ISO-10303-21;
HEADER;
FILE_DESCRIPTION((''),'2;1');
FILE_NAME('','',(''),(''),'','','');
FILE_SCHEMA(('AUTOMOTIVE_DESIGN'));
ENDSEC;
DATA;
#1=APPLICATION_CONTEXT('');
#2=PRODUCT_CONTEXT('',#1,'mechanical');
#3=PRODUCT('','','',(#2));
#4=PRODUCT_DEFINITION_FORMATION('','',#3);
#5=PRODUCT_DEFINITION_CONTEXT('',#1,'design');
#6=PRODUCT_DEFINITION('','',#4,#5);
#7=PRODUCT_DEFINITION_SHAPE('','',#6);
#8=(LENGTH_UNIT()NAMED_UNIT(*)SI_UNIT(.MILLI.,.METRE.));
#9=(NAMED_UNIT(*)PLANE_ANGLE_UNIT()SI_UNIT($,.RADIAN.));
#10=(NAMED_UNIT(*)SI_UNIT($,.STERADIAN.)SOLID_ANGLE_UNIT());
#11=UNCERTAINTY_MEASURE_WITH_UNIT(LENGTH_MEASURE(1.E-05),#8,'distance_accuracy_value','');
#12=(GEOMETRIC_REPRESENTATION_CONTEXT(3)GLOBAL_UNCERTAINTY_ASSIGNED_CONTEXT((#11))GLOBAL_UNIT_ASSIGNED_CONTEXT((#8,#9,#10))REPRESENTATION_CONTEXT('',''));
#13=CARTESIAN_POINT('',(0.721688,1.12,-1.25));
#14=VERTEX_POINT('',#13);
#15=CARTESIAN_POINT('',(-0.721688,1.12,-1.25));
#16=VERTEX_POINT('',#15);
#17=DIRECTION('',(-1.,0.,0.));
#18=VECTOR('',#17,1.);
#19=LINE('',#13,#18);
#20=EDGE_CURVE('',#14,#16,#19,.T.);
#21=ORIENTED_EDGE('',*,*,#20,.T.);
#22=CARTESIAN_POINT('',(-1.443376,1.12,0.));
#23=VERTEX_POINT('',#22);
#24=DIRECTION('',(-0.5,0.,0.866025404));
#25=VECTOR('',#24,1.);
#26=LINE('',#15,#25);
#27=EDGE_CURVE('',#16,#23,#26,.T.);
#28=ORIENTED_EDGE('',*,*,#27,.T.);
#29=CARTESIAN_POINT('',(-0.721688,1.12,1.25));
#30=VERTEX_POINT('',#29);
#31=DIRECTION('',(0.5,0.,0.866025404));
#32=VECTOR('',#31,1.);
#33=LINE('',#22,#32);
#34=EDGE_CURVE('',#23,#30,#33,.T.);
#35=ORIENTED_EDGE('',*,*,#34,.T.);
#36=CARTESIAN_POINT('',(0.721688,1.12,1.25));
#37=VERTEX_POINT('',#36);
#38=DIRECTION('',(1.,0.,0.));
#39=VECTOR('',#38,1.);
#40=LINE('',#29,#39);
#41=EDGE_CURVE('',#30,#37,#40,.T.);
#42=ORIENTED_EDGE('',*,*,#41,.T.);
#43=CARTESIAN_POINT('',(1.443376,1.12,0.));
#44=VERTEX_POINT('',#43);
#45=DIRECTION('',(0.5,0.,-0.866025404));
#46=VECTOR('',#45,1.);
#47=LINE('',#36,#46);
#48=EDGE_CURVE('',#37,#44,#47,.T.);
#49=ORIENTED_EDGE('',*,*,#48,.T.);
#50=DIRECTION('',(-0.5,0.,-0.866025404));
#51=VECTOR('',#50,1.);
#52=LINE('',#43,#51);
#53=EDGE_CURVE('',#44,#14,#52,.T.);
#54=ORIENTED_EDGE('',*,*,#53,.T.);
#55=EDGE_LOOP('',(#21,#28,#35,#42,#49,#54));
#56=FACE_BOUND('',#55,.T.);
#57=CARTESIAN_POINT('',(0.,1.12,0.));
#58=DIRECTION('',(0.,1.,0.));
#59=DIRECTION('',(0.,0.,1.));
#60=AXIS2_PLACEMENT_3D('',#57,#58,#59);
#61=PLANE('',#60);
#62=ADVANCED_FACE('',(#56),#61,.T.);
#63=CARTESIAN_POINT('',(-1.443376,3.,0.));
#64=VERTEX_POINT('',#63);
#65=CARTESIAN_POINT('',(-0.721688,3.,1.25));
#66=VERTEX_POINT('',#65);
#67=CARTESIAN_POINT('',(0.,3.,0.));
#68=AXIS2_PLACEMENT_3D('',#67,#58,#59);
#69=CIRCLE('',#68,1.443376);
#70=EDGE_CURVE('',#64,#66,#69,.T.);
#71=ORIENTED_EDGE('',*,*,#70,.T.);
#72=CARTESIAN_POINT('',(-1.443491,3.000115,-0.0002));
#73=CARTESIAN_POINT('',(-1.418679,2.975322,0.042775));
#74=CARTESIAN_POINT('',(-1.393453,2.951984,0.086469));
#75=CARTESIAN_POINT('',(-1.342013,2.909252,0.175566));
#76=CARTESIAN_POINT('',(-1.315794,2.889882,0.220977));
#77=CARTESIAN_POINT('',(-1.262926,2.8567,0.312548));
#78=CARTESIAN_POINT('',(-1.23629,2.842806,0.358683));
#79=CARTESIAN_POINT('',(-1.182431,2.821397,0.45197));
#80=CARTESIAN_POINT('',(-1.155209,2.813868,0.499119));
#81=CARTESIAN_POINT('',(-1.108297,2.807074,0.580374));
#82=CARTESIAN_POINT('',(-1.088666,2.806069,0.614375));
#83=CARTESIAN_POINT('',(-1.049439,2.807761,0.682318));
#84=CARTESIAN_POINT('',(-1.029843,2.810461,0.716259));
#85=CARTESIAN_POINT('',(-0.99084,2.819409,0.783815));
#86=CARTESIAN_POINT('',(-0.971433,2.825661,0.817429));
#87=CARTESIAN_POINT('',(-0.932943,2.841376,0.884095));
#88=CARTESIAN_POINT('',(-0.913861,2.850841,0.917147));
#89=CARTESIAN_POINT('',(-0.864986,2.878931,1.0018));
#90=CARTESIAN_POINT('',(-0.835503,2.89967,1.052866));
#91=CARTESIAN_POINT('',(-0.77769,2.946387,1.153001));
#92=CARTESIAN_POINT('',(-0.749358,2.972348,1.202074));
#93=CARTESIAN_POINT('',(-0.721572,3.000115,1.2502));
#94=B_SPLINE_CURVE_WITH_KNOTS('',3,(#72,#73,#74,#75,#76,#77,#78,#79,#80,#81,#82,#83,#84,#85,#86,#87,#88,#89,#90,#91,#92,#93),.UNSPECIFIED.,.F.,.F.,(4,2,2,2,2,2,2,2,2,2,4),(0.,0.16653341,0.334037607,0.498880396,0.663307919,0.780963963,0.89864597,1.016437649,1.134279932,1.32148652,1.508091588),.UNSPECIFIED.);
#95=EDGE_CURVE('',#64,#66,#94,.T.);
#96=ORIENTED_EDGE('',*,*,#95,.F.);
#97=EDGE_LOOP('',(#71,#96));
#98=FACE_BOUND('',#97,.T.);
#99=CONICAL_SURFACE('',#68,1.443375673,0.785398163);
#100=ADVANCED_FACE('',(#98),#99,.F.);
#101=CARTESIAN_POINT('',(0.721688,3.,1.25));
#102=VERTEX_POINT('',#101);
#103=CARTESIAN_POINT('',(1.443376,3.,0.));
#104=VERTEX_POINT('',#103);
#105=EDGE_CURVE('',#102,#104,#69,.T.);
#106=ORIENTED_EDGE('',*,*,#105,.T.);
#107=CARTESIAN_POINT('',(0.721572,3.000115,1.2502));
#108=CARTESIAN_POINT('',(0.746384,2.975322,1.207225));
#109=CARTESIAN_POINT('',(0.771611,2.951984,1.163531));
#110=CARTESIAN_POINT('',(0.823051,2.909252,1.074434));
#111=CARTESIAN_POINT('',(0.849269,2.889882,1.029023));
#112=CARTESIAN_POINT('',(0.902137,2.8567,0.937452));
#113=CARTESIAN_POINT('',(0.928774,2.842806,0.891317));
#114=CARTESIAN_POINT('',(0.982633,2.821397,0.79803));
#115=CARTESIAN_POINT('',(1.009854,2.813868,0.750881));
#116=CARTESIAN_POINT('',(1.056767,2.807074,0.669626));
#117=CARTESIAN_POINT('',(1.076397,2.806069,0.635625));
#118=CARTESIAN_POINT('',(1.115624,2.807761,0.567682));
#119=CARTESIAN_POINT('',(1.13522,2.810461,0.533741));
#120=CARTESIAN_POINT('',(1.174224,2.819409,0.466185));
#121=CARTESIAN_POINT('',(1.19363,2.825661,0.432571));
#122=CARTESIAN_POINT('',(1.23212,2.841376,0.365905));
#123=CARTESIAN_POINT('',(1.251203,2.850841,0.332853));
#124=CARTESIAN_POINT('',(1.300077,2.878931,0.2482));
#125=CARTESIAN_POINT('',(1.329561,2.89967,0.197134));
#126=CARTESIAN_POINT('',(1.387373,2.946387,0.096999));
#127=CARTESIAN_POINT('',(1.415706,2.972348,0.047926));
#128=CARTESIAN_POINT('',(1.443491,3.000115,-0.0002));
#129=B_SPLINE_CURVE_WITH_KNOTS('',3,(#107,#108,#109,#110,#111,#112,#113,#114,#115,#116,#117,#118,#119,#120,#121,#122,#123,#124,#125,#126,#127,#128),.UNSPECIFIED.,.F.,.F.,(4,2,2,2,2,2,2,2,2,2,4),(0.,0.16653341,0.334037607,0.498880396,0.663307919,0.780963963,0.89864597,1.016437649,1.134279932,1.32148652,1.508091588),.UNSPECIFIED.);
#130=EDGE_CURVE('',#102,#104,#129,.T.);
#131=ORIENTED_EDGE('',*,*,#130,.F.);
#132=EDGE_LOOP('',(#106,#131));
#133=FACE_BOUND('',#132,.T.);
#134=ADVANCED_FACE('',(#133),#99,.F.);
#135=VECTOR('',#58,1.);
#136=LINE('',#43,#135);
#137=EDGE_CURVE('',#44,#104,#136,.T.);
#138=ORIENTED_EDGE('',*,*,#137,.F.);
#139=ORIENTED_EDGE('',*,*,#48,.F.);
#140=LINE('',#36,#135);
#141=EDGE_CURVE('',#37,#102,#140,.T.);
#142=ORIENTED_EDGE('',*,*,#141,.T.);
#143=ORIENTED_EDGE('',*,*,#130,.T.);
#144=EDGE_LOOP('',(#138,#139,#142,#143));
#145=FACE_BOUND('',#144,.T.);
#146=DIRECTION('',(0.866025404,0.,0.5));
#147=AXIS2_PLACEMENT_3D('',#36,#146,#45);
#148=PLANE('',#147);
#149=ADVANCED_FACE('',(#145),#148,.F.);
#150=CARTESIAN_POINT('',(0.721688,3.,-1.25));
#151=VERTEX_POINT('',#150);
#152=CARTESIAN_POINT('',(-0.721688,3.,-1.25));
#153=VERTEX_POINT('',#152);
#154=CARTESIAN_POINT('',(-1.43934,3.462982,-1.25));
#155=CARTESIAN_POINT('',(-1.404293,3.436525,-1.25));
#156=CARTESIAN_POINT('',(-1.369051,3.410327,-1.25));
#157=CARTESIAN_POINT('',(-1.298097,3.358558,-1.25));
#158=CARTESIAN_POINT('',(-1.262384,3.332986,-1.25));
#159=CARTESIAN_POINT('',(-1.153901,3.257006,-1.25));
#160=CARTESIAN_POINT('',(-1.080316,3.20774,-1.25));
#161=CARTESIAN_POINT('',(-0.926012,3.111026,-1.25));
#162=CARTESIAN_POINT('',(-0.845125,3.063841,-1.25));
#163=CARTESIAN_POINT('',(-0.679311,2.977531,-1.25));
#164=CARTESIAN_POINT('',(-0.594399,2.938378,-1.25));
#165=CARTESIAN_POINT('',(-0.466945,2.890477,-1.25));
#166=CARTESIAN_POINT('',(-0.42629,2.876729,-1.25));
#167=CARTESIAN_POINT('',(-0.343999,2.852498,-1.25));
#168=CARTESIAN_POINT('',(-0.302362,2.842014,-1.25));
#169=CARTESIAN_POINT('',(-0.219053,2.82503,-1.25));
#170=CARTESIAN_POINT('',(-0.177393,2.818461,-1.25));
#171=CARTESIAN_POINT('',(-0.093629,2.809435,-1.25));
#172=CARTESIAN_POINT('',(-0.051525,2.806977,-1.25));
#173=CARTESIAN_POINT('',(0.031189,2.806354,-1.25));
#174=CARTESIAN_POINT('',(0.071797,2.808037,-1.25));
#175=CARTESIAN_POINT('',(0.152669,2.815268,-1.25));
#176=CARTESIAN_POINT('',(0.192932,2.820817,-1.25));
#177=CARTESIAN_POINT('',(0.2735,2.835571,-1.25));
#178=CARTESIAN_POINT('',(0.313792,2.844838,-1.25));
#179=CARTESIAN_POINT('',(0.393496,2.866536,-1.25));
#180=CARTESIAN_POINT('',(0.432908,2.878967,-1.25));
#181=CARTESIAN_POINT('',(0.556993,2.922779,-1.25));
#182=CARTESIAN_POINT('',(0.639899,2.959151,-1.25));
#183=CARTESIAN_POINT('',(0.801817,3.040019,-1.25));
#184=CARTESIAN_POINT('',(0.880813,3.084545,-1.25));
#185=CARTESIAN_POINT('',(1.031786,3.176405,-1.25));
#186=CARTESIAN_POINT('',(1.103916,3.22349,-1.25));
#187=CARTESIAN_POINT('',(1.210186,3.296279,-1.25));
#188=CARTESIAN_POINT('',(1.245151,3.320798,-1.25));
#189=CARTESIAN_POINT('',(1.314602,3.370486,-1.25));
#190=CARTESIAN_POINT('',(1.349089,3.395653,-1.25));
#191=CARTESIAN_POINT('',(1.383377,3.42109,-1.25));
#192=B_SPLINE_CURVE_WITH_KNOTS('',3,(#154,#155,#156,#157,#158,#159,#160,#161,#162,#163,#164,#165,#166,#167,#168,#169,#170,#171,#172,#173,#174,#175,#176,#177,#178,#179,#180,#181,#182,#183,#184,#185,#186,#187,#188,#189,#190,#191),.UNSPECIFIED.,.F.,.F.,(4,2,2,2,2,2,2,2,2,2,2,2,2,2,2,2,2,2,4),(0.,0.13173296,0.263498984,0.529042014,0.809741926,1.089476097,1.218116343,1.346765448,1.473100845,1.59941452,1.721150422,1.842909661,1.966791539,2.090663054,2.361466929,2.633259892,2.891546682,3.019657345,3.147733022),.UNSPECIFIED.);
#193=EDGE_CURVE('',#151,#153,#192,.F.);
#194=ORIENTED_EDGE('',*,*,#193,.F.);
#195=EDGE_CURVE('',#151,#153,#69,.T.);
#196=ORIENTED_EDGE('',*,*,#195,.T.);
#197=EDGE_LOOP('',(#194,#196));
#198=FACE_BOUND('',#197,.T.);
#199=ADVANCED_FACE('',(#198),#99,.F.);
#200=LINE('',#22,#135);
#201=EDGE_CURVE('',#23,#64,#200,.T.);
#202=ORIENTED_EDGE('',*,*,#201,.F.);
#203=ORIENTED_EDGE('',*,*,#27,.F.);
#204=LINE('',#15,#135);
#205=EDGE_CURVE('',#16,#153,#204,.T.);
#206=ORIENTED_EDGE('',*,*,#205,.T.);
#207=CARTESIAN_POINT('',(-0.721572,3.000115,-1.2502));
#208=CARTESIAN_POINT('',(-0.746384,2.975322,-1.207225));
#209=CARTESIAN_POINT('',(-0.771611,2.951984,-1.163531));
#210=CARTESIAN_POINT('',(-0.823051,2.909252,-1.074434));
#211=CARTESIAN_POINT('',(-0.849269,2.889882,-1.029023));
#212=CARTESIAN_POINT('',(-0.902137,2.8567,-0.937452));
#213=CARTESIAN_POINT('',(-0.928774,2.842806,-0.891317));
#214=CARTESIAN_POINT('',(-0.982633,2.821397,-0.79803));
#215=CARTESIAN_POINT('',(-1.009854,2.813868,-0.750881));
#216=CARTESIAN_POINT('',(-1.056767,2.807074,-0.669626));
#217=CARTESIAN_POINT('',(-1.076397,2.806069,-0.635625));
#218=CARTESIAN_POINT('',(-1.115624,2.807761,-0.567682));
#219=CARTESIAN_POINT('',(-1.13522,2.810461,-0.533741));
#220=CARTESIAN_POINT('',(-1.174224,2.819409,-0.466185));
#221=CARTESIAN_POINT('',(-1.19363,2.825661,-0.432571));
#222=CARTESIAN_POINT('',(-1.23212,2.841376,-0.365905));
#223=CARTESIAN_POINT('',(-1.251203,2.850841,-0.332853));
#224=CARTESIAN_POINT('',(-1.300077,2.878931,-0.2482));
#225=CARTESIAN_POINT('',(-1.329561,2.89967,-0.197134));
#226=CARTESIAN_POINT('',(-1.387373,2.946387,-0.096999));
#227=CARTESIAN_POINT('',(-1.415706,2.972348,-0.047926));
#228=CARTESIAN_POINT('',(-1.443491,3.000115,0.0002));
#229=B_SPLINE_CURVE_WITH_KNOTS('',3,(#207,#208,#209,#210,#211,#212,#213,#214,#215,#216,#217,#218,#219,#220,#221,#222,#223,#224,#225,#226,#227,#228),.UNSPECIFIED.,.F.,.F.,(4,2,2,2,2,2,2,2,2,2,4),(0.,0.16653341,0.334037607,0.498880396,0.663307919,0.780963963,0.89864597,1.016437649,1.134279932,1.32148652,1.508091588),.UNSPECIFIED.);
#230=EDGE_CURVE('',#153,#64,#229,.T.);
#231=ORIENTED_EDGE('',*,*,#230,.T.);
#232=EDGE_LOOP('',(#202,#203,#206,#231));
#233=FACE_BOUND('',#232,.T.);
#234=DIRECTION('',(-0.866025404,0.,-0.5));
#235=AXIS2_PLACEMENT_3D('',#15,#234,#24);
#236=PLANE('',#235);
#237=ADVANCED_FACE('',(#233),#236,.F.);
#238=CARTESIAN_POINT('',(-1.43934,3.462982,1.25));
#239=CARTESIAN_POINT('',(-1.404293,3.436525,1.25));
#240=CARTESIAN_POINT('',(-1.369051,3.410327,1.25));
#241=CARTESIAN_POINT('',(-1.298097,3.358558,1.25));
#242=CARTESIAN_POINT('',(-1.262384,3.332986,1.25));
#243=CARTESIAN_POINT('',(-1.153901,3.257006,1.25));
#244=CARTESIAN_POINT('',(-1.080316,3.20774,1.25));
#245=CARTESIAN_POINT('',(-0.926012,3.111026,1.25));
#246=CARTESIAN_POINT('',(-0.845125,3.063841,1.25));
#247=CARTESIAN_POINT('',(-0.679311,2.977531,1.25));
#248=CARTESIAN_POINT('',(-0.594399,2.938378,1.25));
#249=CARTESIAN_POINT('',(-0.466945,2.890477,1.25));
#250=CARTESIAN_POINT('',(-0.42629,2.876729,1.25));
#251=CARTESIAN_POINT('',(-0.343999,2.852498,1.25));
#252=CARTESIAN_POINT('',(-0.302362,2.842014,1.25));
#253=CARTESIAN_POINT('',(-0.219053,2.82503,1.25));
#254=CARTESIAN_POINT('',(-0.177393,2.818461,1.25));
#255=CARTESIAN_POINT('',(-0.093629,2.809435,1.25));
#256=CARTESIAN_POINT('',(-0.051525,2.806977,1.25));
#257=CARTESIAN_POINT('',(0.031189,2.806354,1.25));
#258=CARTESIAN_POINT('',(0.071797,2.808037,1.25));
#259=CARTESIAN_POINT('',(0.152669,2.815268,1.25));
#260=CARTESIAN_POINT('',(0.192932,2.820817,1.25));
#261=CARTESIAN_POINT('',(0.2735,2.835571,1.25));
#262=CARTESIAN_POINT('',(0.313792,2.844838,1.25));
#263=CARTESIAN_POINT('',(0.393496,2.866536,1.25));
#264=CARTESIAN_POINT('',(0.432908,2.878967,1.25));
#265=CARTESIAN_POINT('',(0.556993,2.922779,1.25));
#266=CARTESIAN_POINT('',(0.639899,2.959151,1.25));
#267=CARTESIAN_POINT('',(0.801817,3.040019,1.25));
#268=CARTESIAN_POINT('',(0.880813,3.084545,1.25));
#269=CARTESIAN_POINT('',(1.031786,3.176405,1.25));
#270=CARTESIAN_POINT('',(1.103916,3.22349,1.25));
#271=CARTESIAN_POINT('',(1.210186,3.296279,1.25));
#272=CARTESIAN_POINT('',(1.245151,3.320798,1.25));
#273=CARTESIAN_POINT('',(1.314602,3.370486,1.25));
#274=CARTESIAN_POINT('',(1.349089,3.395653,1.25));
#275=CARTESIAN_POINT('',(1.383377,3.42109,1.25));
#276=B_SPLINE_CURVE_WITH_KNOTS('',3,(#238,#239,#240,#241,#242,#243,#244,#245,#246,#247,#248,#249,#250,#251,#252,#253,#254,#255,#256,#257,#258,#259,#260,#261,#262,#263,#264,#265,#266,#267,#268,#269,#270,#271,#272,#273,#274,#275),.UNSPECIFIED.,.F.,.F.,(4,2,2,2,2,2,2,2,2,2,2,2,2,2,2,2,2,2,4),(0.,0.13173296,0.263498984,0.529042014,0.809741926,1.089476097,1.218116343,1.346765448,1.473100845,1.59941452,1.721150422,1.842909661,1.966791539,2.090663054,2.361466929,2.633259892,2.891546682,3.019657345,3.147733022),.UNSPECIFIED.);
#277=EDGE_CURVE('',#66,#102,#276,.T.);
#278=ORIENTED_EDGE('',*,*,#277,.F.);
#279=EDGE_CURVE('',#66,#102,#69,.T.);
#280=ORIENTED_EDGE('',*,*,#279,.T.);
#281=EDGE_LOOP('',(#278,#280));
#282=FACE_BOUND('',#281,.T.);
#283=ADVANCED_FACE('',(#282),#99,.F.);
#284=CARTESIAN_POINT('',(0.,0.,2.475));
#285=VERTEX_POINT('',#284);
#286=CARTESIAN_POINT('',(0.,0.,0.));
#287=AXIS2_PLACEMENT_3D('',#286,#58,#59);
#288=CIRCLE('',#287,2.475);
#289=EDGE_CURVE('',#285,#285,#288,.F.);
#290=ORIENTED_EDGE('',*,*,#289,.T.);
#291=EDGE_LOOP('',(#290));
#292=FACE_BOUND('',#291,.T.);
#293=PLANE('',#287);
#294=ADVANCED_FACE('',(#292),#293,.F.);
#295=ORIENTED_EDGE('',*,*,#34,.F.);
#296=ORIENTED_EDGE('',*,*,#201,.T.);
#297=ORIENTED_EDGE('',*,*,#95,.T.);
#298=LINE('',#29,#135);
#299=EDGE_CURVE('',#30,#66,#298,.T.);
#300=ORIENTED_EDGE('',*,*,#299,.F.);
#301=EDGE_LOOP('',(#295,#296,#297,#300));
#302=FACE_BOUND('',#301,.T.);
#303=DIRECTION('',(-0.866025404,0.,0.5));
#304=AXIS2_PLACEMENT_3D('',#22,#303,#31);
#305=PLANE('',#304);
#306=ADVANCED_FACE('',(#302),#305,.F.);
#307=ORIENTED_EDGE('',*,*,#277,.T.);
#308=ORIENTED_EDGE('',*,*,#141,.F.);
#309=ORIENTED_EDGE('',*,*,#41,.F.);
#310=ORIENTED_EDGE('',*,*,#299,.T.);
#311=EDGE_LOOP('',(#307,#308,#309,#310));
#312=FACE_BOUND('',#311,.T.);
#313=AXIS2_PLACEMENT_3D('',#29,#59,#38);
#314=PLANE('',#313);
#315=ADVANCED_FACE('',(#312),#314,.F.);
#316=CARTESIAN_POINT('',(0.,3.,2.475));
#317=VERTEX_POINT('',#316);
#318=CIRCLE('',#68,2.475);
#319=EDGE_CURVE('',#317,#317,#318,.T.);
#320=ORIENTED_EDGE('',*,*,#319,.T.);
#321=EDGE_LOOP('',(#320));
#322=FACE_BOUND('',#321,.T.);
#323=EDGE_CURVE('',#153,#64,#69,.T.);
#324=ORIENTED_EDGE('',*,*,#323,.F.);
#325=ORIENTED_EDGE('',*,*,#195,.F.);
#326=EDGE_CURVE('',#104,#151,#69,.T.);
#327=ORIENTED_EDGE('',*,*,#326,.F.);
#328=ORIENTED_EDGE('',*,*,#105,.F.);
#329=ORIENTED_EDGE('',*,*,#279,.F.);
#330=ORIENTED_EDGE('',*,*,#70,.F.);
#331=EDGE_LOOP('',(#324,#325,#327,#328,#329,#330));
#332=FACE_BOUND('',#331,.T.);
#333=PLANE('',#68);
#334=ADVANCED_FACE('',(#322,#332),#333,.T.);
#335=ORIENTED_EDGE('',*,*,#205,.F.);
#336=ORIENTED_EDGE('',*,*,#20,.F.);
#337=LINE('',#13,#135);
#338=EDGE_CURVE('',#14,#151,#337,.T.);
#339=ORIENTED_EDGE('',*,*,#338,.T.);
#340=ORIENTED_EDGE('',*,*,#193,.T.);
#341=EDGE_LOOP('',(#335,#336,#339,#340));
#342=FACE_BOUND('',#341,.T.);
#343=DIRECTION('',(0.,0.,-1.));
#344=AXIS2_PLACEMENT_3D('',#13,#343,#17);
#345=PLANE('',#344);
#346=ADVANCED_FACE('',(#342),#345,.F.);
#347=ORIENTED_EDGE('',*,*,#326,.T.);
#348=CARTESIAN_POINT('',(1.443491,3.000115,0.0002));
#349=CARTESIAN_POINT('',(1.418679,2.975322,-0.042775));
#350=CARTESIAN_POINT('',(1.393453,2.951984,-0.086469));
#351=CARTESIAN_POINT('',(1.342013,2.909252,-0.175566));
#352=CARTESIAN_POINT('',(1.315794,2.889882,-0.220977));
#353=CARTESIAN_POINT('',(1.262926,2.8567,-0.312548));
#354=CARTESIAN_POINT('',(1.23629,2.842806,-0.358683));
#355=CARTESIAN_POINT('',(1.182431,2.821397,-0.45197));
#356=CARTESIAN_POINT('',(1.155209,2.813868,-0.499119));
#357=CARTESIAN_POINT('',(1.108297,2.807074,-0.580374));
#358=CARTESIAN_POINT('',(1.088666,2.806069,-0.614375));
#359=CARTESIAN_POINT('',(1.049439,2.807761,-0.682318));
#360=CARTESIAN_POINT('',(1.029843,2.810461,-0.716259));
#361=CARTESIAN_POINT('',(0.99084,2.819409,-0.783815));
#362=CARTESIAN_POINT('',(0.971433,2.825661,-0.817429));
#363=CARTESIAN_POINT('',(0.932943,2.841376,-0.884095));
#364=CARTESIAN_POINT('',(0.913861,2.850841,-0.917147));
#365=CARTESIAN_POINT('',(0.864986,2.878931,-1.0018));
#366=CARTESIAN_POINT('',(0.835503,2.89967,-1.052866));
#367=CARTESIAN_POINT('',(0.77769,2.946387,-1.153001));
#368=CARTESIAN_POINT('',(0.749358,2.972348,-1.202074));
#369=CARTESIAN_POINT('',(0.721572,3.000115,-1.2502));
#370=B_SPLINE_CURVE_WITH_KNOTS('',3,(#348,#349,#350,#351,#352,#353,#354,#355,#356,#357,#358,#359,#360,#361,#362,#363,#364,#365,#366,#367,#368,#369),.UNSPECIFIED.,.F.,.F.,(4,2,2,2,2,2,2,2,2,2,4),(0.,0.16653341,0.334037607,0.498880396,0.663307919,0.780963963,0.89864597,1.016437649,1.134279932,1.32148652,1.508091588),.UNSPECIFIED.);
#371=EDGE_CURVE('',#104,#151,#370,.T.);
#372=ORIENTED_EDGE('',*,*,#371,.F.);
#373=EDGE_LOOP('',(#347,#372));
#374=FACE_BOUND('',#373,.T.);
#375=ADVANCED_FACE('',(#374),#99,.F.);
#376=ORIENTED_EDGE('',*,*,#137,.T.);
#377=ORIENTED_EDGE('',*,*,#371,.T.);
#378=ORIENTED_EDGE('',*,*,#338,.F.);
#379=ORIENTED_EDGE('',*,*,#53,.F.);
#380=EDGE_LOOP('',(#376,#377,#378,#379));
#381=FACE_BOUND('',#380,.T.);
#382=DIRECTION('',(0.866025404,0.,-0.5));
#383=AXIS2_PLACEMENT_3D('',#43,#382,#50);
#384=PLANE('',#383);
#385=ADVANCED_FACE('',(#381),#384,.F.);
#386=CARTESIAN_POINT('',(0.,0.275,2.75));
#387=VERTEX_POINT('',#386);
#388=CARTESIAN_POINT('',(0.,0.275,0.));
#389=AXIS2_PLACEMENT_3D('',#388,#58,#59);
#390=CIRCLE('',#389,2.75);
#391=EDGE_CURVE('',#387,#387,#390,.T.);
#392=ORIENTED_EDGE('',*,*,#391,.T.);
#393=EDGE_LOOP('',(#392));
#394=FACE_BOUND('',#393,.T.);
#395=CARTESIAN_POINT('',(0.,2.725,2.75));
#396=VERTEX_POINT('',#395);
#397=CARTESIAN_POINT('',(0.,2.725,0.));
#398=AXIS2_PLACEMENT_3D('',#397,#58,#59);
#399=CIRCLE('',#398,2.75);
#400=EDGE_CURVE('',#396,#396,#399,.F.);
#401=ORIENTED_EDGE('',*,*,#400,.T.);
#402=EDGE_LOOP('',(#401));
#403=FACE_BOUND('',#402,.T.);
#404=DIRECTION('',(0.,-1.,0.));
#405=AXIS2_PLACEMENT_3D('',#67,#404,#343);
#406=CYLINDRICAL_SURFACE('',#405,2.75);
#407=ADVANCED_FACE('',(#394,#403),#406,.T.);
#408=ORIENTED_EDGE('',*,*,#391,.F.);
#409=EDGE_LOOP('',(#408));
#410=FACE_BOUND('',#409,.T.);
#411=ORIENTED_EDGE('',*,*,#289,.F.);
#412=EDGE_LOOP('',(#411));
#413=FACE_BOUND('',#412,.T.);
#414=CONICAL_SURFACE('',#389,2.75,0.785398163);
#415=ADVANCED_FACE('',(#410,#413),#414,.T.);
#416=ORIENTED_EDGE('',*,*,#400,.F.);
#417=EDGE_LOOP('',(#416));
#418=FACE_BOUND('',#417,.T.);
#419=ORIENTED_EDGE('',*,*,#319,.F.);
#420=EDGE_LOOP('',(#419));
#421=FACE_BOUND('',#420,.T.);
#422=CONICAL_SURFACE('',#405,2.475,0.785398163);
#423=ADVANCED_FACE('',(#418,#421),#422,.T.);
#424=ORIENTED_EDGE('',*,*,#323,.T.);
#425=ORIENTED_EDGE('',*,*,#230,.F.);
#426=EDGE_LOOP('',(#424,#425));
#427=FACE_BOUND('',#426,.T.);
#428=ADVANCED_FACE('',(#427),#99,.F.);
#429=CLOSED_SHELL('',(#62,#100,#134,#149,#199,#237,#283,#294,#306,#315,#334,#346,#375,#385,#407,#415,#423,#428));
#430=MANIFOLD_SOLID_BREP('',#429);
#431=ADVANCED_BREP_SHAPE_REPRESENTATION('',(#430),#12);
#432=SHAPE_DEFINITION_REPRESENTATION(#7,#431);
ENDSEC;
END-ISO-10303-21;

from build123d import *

# Parameters (mm, degrees)
SKETCH1_R           = 2.75
BOSS_EXTRUDE1_DEPTH = 3
CUT_EXTRUDE1_DEPTH  = 1.88
CHAMFER1_SIZE       = 0.275


with BuildPart() as part:
    # Sketch1 → Boss-Extrude1 (new body)
    with BuildSketch(Plane(origin=(0, 0, 0), x_dir=(1, 0, 0), z_dir=(0, 1, 0))):
        with Locations(Location((0, 0, 0), (0, 0, 270))):
            Circle(SKETCH1_R)
    extrude(amount=BOSS_EXTRUDE1_DEPTH)

    # Sketch2 → Cut-Extrude1 (cut)
    with BuildSketch(Plane(origin=(0, 3, 0), x_dir=(1, 0, 0), z_dir=(0, 1, 0))):
        Polygon((0.721687836, 1.25), (-0.721687836, 1.25), (-1.443375673, 0), (-0.721687836, -1.25), (0.721687836, -1.25), (1.443375673, 0), align=None)
    extrude(amount=-CUT_EXTRUDE1_DEPTH, mode=Mode.SUBTRACT)

    # Cut-Extrude2 cone 1 section (through the dimple's axis) → Cut-Extrude2 (revolve, cut)
    with BuildSketch(Plane(origin=(0, 3, 0), x_dir=(0, 0, 1), z_dir=(1, 0, 0))):
        Polygon((0, 0), (1.443375673, 0), (0, 1.443375673), align=None)
    revolve(axis=Axis((0, 3, 0), (0, -1, 0)), mode=Mode.SUBTRACT)

    # Chamfer1
    chamfer1_edges = [part.edges().sort_by_distance(p)[0] for p in [
        (0, 0, -2.75),
        (0, 3, -2.75),
    ]]
    chamfer(chamfer1_edges, length=CHAMFER1_SIZE)


solid = part.part
